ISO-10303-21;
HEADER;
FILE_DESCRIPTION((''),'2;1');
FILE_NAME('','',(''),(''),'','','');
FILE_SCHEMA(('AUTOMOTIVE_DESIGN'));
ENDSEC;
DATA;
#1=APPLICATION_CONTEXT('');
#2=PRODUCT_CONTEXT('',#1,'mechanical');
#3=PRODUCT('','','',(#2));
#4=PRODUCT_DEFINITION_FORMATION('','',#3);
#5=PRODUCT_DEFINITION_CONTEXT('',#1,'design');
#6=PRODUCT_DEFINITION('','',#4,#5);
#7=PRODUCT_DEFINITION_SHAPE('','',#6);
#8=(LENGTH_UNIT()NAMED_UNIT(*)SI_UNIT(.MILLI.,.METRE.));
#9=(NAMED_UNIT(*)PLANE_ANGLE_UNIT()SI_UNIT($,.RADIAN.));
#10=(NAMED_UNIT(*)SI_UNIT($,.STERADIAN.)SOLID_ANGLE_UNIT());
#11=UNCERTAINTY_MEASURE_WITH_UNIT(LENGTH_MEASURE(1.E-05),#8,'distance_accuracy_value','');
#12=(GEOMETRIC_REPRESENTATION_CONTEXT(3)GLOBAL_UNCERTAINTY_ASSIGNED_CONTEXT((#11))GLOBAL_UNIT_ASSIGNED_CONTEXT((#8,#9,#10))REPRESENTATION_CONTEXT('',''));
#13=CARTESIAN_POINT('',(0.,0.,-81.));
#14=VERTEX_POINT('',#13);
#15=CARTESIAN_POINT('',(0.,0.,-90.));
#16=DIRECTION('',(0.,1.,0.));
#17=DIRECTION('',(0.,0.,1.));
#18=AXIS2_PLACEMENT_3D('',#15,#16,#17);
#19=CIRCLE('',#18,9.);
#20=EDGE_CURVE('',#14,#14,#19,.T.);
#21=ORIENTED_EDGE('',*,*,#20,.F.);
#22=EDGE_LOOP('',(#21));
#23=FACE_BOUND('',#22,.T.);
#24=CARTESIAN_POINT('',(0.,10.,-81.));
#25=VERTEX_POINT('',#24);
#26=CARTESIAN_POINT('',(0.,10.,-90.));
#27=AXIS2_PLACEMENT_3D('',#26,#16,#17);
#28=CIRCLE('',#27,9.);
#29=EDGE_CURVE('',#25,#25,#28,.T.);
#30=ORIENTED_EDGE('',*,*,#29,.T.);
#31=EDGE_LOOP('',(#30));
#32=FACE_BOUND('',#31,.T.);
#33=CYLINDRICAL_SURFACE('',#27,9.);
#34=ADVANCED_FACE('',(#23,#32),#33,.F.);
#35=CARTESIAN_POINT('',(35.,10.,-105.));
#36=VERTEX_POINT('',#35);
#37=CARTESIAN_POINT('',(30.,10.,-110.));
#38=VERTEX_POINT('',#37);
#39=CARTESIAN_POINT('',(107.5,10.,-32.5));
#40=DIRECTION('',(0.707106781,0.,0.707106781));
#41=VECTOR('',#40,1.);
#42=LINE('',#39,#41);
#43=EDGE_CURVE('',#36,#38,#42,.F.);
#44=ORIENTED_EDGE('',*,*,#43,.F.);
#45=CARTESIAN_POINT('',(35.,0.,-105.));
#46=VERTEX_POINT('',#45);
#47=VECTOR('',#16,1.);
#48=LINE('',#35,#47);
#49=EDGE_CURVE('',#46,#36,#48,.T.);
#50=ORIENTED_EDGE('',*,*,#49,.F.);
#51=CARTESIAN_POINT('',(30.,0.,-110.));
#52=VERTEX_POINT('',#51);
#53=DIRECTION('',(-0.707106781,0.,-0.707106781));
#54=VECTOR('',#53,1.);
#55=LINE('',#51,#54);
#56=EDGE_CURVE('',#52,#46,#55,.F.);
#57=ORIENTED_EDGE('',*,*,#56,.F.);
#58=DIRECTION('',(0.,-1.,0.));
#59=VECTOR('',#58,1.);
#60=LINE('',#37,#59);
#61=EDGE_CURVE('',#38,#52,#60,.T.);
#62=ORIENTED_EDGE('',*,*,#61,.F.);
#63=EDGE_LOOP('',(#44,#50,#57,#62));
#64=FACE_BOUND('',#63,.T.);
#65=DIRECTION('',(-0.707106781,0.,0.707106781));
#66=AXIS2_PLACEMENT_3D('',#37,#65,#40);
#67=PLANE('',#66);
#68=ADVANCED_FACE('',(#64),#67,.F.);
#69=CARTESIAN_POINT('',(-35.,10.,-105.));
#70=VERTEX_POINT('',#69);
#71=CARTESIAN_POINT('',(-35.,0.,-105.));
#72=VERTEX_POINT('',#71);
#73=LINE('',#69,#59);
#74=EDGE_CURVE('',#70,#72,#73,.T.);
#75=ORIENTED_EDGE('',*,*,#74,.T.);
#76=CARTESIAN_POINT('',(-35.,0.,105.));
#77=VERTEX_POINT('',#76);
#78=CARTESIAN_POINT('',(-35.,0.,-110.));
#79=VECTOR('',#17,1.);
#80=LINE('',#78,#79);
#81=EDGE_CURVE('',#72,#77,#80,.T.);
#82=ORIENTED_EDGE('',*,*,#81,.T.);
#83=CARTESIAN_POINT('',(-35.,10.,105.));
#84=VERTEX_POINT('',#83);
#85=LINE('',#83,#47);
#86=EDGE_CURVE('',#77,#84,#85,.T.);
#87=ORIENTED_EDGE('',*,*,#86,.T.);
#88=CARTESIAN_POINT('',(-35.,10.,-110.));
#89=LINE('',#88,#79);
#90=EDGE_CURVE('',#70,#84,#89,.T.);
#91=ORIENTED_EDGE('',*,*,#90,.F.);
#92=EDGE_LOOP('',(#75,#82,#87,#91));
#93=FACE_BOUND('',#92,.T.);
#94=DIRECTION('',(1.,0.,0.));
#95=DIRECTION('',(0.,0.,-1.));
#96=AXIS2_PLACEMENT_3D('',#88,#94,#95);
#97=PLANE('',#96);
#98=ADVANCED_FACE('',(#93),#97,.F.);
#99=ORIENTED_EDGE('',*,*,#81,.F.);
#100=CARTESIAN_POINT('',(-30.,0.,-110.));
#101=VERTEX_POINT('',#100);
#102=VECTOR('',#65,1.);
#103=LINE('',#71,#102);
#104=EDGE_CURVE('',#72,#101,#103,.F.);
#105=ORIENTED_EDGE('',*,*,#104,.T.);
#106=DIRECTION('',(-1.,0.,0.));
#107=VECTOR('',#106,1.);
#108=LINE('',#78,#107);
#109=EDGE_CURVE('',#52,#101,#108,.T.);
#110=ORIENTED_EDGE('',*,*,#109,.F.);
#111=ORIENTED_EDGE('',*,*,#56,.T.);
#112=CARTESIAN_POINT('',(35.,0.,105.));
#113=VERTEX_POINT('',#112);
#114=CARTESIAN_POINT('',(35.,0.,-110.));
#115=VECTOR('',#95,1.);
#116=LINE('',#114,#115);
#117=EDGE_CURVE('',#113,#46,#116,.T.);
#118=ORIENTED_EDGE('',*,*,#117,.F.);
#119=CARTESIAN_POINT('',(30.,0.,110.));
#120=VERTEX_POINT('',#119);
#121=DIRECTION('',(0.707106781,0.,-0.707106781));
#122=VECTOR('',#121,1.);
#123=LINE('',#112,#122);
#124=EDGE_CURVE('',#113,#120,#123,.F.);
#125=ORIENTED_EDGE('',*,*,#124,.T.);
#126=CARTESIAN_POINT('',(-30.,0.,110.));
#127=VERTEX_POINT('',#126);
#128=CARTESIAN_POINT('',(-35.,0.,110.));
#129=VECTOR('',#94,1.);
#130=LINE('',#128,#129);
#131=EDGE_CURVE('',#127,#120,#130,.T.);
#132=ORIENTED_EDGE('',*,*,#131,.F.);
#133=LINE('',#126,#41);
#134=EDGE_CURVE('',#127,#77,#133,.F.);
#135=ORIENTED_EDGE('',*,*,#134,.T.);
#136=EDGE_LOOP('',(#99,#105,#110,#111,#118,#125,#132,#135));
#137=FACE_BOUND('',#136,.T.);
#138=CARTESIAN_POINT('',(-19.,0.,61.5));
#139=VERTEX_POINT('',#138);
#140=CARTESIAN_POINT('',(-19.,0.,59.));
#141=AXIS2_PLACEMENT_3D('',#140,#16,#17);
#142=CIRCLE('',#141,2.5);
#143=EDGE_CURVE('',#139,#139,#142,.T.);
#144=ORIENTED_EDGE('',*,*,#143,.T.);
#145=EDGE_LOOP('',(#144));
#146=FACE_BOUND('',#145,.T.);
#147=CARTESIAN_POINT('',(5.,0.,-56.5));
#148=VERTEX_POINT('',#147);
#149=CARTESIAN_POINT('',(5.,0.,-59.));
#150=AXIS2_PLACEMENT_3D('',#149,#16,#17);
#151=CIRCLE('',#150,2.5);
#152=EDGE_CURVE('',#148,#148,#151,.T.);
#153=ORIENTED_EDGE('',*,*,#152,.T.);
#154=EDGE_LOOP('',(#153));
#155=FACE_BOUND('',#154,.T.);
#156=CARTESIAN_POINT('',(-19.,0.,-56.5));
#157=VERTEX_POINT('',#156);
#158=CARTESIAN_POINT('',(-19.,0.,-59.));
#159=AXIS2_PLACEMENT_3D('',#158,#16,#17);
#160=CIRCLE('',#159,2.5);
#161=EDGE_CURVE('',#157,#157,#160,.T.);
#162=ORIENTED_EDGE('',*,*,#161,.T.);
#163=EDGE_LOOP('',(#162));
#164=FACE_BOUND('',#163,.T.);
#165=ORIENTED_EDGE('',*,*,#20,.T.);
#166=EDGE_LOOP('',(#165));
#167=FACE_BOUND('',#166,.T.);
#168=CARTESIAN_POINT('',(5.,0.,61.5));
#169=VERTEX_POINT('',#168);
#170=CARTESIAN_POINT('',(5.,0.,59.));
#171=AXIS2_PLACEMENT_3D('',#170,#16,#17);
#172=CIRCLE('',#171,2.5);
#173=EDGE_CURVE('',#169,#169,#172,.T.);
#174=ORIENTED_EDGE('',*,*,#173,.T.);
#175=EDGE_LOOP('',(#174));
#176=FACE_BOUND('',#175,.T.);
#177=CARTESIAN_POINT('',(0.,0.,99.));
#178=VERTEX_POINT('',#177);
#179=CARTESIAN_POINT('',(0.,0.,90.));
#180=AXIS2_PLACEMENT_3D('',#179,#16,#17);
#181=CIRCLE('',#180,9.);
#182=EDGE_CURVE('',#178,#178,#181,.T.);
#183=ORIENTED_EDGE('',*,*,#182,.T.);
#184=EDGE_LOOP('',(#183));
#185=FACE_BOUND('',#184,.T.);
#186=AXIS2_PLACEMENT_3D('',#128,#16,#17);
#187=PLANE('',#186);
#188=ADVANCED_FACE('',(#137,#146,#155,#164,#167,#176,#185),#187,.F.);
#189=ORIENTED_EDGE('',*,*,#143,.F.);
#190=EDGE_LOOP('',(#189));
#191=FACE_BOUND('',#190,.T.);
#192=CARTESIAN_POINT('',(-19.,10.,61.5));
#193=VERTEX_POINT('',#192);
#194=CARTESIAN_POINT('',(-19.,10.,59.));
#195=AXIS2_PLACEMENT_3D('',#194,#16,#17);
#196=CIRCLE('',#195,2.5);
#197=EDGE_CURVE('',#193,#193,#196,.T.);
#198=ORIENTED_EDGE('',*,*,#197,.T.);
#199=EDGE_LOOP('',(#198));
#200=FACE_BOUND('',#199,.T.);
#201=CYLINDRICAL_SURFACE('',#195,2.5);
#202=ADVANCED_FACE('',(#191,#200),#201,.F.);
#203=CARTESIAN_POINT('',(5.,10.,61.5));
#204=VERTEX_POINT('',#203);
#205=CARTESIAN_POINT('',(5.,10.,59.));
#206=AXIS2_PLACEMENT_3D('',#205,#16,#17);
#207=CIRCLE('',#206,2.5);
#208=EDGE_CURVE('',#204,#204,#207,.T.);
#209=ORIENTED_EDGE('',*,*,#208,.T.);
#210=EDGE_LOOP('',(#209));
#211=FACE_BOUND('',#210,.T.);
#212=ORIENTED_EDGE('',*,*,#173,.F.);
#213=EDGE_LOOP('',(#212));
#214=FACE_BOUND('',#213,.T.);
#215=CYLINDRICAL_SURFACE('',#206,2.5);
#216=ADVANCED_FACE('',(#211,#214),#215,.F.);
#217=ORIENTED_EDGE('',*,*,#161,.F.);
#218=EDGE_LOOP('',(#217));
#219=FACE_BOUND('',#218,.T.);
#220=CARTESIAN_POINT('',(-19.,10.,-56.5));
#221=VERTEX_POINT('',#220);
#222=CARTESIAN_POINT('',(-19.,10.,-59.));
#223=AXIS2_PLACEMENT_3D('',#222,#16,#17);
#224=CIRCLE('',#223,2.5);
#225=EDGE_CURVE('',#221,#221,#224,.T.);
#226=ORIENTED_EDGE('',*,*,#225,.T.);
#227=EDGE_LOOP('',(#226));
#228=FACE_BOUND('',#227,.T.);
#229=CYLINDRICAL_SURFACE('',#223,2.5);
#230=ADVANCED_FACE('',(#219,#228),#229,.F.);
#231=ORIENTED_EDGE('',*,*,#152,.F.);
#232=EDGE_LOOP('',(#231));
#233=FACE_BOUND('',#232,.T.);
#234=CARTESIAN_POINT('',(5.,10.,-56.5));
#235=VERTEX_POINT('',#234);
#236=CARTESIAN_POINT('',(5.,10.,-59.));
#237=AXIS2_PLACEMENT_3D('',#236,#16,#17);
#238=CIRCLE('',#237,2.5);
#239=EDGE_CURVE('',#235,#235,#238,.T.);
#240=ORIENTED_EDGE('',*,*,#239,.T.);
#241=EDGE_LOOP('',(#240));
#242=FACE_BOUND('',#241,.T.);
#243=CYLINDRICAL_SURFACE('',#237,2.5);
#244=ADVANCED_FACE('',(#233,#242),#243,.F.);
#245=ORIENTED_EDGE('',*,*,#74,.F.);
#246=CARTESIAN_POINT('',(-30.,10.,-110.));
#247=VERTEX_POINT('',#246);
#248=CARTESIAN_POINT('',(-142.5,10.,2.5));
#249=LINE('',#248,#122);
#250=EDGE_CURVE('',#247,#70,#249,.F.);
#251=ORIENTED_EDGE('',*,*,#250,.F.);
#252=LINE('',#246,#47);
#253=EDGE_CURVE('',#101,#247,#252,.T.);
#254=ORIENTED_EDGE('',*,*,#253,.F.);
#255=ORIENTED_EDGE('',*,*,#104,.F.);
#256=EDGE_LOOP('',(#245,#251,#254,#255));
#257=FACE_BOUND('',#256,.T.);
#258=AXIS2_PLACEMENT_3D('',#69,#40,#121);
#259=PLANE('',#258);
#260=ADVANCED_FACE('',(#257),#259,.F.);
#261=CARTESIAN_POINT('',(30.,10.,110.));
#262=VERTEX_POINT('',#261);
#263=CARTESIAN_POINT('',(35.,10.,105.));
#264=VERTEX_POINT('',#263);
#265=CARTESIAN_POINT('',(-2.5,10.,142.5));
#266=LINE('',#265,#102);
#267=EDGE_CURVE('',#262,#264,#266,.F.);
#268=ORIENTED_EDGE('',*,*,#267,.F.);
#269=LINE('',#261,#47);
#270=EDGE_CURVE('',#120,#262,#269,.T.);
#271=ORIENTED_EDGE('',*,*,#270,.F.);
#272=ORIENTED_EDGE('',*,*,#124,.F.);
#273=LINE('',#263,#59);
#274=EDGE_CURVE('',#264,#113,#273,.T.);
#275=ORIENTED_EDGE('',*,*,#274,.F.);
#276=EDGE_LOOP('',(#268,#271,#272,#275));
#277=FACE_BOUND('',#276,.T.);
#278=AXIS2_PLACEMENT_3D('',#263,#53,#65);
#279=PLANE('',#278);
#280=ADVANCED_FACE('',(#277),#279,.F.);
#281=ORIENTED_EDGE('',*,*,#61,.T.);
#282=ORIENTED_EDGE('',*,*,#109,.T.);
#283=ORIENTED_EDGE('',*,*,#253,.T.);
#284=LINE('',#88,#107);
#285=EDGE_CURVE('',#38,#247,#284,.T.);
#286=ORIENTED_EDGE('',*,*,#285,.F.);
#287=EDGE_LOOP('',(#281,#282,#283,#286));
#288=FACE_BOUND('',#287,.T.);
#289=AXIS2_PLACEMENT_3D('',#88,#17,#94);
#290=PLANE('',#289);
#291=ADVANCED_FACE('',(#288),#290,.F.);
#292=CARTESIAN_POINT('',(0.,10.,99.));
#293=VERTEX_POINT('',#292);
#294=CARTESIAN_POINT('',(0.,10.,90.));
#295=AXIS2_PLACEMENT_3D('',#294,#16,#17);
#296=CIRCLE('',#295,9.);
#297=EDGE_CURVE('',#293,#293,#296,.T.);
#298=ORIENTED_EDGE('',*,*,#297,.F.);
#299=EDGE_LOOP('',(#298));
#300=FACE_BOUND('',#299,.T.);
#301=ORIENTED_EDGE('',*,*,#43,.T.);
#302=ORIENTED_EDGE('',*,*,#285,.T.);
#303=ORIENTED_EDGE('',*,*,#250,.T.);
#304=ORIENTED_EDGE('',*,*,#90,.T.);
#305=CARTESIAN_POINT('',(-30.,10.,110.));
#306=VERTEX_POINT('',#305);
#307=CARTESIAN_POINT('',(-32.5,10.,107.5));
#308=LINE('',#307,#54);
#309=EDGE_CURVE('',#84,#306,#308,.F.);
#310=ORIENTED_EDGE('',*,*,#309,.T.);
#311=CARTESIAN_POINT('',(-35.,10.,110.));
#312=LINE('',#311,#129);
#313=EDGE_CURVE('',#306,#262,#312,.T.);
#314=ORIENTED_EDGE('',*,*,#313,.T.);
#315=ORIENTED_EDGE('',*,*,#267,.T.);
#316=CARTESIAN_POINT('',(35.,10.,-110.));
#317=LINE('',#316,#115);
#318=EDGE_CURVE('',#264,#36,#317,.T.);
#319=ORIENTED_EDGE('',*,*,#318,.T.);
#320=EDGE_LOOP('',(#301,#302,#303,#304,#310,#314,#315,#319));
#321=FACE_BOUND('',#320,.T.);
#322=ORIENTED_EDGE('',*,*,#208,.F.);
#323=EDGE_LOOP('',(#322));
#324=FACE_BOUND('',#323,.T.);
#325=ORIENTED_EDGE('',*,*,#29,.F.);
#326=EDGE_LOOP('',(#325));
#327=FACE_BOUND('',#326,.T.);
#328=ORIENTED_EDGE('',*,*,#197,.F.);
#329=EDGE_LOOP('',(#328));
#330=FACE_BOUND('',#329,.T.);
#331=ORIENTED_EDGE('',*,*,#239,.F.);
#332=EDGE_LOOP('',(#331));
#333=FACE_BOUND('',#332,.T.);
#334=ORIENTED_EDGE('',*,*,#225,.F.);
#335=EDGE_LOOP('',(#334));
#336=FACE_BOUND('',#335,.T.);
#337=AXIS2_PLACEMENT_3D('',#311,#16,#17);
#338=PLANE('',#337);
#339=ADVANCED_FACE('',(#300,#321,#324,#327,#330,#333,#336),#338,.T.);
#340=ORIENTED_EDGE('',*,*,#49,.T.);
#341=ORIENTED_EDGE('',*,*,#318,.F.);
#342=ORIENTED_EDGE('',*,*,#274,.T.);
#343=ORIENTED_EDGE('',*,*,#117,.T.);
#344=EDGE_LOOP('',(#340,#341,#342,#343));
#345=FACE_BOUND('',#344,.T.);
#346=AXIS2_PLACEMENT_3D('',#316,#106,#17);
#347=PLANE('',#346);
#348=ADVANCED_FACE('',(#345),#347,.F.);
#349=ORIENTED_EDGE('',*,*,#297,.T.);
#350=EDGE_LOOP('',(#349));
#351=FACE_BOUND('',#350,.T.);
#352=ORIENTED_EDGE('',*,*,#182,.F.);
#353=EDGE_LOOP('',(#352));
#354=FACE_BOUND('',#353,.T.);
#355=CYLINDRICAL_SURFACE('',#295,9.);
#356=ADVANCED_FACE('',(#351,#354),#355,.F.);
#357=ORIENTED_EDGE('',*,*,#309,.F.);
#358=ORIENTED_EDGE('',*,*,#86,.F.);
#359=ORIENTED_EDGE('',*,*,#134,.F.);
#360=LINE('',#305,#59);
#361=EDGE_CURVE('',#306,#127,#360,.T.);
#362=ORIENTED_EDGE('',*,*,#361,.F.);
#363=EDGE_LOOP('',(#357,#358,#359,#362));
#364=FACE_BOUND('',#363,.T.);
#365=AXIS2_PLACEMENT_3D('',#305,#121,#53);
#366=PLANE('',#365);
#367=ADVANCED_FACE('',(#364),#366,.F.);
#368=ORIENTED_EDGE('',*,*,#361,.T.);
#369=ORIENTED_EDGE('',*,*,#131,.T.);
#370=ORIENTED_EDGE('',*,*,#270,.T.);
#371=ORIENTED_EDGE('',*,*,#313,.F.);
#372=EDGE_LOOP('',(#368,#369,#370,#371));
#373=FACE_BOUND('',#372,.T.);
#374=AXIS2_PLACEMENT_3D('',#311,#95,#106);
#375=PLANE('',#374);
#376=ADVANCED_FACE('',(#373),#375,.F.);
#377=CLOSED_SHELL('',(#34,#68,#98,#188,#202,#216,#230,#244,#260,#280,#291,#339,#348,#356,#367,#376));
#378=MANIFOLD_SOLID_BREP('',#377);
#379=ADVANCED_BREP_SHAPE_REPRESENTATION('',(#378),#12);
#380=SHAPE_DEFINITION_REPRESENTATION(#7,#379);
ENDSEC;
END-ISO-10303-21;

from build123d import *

# Parameters (mm, degrees)
SKETCH_1_W              = 70
SKETCH_1_H              = 220
EXTRUDE_1_DEPTH         = 10
HOLE_WIZARD_M6_1_D      = 5
HOLE_WIZARD_18_0_18_1_D = 18
CHAMFER_1_SIZE          = 5


with BuildPart() as part:
    # 草圖1 → 伸長1 (new body)
    with BuildSketch(Plane(origin=(0, 0, 0), x_dir=(1, 0, 0), z_dir=(0, 1, 0))):
        Rectangle(SKETCH_1_W, SKETCH_1_H)
    extrude(amount=EXTRUDE_1_DEPTH)

    # M6 螺紋孔1 (through all)
    with Locations(Plane(origin=(0, 10, 0), x_dir=(-1, 0, 0), z_dir=(0, 1, 0))):
        with Locations((19, -59), (19, 59), (-5, -59), (-5, 59)):
            Hole(HOLE_WIZARD_M6_1_D / 2)

    # Ø18.0 (18) 直徑孔1 (through all)
    with Locations(Plane(origin=(0, 10, 0), x_dir=(-1, 0, 0), z_dir=(0, 1, 0))):
        with Locations((0, -90), (0, 90)):
            Hole(HOLE_WIZARD_18_0_18_1_D / 2)

    # 導角1
    chamfer_1_edges = [part.edges().sort_by_distance(p)[0] for p in [
        (-35, 5, -110),
        (35, 5, -110),
        (35, 5, 110),
        (-35, 5, 110),
    ]]
    chamfer(chamfer_1_edges, length=CHAMFER_1_SIZE)


solid = part.part
